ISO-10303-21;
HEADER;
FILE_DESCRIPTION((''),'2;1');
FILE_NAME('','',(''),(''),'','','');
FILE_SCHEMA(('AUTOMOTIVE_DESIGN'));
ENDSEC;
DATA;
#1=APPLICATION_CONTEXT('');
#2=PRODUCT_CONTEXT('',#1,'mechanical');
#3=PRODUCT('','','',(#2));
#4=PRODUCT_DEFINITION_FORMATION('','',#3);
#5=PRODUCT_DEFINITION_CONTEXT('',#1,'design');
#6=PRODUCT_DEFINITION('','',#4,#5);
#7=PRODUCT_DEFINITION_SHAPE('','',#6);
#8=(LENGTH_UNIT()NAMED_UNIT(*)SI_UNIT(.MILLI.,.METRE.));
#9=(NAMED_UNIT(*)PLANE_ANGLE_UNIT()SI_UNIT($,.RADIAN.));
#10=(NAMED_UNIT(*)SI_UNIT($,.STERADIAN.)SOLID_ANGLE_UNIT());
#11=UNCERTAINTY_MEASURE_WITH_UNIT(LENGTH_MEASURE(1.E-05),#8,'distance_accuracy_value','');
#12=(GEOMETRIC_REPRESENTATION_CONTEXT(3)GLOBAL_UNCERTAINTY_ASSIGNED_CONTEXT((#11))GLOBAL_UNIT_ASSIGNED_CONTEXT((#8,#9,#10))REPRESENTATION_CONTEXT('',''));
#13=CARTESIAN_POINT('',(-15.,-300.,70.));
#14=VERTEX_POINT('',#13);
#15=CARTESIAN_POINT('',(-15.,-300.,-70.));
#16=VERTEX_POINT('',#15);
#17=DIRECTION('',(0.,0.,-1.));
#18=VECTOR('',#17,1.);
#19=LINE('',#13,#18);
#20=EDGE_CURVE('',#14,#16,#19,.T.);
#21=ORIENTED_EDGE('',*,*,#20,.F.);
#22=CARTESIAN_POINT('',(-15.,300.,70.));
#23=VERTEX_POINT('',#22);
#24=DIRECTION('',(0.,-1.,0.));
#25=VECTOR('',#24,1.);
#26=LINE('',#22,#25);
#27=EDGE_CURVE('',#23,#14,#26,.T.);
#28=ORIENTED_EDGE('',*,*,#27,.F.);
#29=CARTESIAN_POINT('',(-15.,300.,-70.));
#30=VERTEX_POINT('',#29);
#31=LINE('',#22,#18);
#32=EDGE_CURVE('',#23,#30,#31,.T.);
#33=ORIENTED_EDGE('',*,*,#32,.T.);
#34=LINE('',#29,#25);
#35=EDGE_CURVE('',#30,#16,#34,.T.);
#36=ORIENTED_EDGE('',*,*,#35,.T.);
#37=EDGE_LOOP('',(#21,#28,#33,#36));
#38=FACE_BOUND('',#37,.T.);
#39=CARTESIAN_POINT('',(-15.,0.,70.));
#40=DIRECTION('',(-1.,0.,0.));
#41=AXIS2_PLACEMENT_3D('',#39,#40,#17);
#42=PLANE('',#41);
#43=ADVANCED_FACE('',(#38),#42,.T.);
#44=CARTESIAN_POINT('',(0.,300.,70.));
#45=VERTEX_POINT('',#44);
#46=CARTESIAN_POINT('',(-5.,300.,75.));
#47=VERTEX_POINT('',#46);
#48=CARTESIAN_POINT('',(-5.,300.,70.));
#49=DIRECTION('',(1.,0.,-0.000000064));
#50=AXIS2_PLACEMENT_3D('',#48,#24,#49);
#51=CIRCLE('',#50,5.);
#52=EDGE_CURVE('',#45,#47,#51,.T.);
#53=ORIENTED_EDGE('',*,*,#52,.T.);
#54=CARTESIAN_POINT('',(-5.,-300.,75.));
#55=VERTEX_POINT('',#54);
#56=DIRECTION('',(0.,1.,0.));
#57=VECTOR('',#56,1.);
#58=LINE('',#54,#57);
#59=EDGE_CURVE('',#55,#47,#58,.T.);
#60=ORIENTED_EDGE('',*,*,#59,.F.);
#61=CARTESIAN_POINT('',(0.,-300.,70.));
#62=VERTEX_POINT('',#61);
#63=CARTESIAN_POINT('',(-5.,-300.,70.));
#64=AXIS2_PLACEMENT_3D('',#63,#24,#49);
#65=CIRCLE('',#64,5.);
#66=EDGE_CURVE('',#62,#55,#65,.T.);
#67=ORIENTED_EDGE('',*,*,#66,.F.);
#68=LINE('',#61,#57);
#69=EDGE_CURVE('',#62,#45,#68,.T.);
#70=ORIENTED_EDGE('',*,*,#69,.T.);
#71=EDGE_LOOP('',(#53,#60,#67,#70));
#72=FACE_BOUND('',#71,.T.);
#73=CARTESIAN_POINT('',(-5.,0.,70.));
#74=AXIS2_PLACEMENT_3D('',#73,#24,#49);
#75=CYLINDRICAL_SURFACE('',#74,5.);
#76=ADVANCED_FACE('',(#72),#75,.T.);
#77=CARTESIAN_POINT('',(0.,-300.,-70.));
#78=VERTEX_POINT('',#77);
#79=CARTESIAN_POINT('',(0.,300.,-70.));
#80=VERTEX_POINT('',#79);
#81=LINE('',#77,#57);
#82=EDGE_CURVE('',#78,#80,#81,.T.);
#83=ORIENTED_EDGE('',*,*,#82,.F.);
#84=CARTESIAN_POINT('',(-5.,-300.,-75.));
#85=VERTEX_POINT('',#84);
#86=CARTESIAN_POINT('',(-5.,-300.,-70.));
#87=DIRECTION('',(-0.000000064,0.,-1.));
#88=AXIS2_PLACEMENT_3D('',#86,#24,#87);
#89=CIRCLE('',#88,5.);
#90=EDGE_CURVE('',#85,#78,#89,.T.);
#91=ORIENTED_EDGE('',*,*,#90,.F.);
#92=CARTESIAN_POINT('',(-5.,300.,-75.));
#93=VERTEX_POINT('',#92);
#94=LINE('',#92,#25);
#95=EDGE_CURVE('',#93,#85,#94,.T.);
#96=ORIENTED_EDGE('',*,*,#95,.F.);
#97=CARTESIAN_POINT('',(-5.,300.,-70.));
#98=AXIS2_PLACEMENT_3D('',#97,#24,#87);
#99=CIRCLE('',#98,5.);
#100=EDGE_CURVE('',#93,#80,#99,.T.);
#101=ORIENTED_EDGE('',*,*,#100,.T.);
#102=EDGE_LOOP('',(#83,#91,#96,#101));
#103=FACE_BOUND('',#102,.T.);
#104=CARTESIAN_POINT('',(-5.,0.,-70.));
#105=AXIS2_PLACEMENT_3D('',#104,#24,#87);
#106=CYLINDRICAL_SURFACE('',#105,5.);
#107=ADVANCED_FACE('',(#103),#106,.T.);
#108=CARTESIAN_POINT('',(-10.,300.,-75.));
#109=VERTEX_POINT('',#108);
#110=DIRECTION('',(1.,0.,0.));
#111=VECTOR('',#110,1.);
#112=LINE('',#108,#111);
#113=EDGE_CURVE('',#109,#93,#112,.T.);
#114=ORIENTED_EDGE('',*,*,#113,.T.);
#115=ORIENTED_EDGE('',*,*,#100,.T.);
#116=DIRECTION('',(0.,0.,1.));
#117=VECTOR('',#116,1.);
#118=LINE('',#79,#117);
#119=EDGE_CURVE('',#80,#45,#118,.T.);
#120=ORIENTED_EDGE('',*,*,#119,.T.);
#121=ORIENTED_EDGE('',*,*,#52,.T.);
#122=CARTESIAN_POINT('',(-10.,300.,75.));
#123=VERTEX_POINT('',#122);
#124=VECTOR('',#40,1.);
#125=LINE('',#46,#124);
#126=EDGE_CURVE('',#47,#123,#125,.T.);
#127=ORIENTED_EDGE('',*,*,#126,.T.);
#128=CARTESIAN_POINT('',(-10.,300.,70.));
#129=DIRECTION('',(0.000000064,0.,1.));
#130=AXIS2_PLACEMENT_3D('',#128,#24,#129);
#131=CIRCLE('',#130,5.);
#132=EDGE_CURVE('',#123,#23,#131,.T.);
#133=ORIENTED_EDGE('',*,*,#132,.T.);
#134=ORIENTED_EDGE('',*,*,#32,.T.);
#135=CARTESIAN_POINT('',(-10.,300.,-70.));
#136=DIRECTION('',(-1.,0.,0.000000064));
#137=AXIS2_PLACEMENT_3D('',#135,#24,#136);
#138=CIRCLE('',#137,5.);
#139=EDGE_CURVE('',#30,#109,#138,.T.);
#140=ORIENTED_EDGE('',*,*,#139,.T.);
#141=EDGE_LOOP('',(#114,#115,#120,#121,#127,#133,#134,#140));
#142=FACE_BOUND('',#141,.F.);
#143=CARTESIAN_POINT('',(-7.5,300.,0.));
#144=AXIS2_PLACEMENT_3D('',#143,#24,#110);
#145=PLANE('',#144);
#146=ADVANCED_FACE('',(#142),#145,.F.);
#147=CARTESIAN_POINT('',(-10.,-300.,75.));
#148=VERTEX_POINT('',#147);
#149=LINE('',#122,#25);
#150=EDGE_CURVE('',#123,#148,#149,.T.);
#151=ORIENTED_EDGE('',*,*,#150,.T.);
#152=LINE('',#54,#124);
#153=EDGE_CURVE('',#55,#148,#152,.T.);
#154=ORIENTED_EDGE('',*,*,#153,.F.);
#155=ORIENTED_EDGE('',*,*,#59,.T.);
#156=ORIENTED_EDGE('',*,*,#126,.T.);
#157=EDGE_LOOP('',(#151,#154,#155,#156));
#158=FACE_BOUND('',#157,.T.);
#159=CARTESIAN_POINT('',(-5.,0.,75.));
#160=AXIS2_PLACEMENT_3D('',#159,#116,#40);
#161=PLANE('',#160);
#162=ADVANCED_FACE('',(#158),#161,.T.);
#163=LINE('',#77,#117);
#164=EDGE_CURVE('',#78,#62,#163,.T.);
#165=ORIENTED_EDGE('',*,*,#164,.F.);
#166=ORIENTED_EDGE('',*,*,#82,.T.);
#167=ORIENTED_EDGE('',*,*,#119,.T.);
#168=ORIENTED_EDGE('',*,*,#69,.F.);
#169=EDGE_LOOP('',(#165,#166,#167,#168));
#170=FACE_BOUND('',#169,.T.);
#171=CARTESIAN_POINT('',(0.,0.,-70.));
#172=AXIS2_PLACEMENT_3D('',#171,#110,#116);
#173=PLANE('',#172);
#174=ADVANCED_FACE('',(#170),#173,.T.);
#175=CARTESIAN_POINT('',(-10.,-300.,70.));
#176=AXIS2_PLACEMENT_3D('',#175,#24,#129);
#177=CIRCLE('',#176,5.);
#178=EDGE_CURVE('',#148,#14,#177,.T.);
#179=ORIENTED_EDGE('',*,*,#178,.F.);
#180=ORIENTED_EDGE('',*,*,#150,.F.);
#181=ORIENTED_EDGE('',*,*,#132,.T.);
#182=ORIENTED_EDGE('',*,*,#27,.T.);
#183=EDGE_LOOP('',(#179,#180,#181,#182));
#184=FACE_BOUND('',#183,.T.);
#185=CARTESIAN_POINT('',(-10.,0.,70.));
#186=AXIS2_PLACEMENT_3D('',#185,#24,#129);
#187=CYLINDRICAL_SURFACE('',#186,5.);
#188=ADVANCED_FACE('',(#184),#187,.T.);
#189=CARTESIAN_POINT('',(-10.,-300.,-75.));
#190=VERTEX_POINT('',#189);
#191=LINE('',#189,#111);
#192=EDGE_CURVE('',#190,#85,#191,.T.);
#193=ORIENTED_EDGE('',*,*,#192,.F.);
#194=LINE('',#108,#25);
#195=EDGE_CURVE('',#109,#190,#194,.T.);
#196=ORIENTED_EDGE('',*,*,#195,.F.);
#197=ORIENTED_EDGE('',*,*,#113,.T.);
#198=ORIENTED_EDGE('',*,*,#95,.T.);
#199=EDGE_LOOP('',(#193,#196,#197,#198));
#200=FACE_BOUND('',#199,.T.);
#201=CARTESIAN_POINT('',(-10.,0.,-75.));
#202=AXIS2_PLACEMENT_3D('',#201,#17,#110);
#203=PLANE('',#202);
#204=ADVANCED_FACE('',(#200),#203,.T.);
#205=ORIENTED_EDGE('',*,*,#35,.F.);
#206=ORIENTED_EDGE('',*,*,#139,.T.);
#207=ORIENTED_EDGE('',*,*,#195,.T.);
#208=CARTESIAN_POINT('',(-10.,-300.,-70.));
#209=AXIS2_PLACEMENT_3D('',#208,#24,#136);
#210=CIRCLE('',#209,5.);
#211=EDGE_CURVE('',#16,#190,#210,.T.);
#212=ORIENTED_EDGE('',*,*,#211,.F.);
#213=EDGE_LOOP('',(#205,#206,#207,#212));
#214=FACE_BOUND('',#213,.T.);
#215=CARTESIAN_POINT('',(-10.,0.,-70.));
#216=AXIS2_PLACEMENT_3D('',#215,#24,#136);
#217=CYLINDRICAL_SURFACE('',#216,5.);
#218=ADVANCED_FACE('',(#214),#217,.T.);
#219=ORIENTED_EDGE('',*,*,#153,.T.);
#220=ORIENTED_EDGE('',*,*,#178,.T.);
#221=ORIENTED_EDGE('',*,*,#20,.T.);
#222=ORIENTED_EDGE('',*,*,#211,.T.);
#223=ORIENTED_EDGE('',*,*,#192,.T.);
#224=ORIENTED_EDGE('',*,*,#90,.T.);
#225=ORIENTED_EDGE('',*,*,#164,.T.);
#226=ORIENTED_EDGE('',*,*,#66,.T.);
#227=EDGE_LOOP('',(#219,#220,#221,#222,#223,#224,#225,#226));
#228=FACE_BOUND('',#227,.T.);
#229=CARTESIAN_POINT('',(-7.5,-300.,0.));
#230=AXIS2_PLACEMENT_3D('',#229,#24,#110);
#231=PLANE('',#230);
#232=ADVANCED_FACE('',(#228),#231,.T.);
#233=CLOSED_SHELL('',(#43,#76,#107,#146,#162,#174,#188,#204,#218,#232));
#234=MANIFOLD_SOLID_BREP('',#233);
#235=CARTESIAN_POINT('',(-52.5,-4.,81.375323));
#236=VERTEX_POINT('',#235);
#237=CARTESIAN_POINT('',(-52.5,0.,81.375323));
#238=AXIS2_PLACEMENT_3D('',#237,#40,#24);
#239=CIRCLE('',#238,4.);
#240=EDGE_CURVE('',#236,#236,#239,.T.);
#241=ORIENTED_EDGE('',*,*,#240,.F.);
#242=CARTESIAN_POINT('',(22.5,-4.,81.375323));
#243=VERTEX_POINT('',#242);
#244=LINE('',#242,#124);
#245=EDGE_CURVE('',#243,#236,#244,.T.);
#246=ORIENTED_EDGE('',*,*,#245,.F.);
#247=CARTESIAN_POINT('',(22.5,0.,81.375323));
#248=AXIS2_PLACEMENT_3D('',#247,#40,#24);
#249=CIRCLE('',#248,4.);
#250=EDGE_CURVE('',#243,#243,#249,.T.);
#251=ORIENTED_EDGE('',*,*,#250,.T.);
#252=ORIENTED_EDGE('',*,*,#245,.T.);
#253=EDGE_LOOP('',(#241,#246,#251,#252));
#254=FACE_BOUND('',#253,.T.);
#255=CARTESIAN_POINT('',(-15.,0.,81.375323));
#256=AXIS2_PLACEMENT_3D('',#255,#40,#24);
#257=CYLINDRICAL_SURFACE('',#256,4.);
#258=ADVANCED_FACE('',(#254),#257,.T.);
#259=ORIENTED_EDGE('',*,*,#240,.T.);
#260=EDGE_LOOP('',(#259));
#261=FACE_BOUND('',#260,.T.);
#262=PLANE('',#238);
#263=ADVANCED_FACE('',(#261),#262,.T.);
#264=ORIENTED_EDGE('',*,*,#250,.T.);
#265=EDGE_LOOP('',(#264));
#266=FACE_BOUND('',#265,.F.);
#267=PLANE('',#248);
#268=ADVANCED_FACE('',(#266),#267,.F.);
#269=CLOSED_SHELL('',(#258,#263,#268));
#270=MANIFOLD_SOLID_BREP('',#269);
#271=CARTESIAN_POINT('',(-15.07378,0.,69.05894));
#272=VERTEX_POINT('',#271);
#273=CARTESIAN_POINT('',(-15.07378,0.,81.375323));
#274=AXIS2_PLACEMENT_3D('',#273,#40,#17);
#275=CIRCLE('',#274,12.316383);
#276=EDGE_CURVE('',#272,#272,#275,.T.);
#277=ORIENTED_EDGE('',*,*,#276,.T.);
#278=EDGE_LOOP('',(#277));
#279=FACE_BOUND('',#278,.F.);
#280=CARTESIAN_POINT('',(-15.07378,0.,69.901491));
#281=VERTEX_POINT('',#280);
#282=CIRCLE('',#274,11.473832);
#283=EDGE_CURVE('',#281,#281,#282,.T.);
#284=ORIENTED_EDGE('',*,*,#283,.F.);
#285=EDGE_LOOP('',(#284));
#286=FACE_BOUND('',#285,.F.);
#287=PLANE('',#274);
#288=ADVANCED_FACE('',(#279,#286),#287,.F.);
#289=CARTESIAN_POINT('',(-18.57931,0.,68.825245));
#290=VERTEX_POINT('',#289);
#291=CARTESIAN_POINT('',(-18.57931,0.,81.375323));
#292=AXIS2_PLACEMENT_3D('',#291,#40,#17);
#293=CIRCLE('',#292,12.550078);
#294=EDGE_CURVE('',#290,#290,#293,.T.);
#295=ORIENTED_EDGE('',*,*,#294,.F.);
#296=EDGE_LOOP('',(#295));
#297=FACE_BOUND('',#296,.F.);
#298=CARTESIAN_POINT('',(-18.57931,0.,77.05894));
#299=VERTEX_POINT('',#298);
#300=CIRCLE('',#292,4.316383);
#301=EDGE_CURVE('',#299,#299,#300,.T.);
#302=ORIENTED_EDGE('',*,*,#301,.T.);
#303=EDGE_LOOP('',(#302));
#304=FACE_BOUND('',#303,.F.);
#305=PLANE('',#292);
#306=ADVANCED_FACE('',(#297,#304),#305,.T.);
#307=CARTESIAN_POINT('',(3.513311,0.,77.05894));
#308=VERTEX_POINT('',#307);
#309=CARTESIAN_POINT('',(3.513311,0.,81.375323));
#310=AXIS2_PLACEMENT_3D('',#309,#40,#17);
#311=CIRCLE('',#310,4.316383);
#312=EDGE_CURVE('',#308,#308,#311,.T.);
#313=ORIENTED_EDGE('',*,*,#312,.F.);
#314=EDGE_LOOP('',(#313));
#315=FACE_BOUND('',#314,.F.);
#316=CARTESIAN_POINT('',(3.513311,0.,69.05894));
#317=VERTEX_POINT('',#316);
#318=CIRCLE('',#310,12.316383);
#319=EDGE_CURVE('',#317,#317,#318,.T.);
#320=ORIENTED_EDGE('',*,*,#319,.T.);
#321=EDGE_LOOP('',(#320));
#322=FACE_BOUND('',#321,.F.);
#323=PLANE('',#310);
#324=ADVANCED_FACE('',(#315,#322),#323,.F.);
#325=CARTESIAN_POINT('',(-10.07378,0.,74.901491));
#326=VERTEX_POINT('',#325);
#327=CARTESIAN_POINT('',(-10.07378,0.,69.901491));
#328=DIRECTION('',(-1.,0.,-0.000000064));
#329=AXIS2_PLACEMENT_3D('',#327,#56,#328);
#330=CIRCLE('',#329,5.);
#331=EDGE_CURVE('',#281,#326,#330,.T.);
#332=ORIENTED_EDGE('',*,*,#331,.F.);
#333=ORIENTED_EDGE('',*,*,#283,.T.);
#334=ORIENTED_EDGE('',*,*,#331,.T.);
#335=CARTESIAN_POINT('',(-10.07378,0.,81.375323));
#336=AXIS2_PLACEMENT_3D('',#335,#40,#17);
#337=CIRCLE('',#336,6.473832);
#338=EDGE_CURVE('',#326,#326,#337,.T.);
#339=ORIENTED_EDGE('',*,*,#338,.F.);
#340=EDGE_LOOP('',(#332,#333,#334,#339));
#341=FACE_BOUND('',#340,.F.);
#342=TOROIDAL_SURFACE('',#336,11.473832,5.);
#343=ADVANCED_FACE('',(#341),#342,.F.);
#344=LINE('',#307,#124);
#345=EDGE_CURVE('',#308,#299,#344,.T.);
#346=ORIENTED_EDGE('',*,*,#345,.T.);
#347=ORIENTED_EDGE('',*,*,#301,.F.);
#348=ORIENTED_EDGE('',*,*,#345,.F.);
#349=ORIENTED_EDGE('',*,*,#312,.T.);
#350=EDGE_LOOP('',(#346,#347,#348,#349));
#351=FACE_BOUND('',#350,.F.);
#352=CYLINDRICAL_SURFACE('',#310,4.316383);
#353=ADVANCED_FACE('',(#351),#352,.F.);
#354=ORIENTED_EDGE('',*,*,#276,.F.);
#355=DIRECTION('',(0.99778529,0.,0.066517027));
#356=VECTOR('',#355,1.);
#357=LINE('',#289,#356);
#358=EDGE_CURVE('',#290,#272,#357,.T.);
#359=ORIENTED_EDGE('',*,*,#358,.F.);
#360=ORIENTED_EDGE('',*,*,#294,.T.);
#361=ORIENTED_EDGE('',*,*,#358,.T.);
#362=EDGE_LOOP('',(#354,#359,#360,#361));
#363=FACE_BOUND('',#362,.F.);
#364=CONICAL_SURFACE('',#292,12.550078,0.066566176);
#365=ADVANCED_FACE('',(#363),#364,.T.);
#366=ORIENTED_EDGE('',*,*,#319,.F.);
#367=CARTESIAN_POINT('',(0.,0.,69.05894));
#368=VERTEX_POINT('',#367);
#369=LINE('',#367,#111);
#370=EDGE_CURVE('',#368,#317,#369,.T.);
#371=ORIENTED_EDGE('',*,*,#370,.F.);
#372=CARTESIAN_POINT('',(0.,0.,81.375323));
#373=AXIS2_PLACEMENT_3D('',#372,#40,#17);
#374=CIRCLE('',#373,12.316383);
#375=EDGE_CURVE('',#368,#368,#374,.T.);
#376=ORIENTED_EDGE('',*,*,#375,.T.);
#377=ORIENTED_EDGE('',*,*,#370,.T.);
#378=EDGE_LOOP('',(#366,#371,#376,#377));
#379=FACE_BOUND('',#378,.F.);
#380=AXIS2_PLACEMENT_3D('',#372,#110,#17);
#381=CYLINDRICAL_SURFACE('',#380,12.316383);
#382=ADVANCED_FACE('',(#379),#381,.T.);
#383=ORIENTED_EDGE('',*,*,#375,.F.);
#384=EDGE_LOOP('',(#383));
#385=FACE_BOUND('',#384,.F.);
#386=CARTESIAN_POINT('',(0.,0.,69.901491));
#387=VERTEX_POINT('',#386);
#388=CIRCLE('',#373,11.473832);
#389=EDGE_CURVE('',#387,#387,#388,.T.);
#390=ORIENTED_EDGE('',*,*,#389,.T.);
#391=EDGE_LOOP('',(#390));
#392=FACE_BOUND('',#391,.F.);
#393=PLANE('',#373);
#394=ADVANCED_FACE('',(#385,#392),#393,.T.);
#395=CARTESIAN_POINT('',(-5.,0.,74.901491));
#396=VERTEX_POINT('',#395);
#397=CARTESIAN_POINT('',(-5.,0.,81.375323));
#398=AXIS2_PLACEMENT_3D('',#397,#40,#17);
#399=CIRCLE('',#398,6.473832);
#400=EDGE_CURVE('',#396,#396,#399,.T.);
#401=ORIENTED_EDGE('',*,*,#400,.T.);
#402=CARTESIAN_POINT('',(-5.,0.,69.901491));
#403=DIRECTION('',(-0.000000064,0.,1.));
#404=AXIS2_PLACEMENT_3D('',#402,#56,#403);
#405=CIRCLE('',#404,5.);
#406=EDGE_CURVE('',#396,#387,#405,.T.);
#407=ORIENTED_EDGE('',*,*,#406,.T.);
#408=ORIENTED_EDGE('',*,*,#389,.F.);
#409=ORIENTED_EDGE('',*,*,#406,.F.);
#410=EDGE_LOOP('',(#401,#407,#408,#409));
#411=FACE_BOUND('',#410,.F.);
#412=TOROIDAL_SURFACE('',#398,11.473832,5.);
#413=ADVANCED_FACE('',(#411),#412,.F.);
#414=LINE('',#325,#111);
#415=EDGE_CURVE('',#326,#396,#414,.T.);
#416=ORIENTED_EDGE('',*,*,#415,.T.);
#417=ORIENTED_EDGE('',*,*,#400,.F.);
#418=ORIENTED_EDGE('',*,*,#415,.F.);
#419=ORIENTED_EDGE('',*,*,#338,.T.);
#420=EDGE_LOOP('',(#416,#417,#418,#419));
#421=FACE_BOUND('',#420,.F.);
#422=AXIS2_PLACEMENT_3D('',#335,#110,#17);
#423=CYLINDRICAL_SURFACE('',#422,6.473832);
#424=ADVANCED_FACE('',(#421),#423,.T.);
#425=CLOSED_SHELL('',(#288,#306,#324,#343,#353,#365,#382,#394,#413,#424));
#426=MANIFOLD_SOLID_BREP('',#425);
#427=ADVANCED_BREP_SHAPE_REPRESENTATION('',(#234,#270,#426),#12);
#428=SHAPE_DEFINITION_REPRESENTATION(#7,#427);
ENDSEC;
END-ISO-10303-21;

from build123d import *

# Parameters (mm, degrees)
F1_DEPTH = 300
F2_R     = 4
F3_DEPTH = 37.5


with BuildPart() as f1:
    # F0 (on Front) → F1 (new body, symmetric)
    with BuildSketch(Plane.XZ):
        with BuildLine():
            Line((-5, 75), (-10, 75))
            ThreePointArc((-10, 75), (-13.535534, 73.535534), (-15, 70))
            Line((-15, 70), (-15, -70))
            ThreePointArc((-15, -70), (-13.535534, -73.535534), (-10, -75))
            Line((-10, -75), (-5, -75))
            ThreePointArc((-5, -75), (-1.464466, -73.535534), (0, -70))
            Line((0, -70), (0, 70))
            ThreePointArc((0, 70), (-1.464466, 73.535534), (-5, 75))
        make_face()
    extrude(amount=F1_DEPTH, both=True)


with BuildPart() as f3:
    # F2 (on face) → F3 (new body, symmetric)
    with BuildSketch(Plane(origin=(-15, 0, 0), x_dir=(0, -1, 0), z_dir=(-1, 0, 0))):
        with Locations((0, 81.375323)):
            Circle(F2_R)
    extrude(amount=F3_DEPTH, both=True)


with BuildPart() as f5:
    # F4 (on Front) → F5 (revolve)
    with BuildSketch(Plane.XZ):
        with BuildLine():
            Line((-18.57931, 77.05894), (-18.57931, 68.825245))
            Line((-18.57931, 68.825245), (-15.07378, 69.05894))
            Line((-15.07378, 69.05894), (-15.07378, 69.901491))
            ThreePointArc((-15.07378, 69.901491), (-13.609314, 73.437025), (-10.07378, 74.901491))
            Line((-10.07378, 74.901491), (-5, 74.901491))
            ThreePointArc((-5, 74.901491), (-1.464466, 73.437025), (0, 69.901491))
            Line((0, 69.901491), (0, 69.05894))
            Line((0, 69.05894), (3.513311, 69.05894))
            Line((3.513311, 69.05894), (3.513311, 77.05894))
            Line((3.513311, 77.05894), (-18.57931, 77.05894))
        make_face()
    revolve(axis=Axis((-15, 0, 81.375323), (-1, 0, 0)))


solid = Compound([f1.part, f3.part, f5.part])
